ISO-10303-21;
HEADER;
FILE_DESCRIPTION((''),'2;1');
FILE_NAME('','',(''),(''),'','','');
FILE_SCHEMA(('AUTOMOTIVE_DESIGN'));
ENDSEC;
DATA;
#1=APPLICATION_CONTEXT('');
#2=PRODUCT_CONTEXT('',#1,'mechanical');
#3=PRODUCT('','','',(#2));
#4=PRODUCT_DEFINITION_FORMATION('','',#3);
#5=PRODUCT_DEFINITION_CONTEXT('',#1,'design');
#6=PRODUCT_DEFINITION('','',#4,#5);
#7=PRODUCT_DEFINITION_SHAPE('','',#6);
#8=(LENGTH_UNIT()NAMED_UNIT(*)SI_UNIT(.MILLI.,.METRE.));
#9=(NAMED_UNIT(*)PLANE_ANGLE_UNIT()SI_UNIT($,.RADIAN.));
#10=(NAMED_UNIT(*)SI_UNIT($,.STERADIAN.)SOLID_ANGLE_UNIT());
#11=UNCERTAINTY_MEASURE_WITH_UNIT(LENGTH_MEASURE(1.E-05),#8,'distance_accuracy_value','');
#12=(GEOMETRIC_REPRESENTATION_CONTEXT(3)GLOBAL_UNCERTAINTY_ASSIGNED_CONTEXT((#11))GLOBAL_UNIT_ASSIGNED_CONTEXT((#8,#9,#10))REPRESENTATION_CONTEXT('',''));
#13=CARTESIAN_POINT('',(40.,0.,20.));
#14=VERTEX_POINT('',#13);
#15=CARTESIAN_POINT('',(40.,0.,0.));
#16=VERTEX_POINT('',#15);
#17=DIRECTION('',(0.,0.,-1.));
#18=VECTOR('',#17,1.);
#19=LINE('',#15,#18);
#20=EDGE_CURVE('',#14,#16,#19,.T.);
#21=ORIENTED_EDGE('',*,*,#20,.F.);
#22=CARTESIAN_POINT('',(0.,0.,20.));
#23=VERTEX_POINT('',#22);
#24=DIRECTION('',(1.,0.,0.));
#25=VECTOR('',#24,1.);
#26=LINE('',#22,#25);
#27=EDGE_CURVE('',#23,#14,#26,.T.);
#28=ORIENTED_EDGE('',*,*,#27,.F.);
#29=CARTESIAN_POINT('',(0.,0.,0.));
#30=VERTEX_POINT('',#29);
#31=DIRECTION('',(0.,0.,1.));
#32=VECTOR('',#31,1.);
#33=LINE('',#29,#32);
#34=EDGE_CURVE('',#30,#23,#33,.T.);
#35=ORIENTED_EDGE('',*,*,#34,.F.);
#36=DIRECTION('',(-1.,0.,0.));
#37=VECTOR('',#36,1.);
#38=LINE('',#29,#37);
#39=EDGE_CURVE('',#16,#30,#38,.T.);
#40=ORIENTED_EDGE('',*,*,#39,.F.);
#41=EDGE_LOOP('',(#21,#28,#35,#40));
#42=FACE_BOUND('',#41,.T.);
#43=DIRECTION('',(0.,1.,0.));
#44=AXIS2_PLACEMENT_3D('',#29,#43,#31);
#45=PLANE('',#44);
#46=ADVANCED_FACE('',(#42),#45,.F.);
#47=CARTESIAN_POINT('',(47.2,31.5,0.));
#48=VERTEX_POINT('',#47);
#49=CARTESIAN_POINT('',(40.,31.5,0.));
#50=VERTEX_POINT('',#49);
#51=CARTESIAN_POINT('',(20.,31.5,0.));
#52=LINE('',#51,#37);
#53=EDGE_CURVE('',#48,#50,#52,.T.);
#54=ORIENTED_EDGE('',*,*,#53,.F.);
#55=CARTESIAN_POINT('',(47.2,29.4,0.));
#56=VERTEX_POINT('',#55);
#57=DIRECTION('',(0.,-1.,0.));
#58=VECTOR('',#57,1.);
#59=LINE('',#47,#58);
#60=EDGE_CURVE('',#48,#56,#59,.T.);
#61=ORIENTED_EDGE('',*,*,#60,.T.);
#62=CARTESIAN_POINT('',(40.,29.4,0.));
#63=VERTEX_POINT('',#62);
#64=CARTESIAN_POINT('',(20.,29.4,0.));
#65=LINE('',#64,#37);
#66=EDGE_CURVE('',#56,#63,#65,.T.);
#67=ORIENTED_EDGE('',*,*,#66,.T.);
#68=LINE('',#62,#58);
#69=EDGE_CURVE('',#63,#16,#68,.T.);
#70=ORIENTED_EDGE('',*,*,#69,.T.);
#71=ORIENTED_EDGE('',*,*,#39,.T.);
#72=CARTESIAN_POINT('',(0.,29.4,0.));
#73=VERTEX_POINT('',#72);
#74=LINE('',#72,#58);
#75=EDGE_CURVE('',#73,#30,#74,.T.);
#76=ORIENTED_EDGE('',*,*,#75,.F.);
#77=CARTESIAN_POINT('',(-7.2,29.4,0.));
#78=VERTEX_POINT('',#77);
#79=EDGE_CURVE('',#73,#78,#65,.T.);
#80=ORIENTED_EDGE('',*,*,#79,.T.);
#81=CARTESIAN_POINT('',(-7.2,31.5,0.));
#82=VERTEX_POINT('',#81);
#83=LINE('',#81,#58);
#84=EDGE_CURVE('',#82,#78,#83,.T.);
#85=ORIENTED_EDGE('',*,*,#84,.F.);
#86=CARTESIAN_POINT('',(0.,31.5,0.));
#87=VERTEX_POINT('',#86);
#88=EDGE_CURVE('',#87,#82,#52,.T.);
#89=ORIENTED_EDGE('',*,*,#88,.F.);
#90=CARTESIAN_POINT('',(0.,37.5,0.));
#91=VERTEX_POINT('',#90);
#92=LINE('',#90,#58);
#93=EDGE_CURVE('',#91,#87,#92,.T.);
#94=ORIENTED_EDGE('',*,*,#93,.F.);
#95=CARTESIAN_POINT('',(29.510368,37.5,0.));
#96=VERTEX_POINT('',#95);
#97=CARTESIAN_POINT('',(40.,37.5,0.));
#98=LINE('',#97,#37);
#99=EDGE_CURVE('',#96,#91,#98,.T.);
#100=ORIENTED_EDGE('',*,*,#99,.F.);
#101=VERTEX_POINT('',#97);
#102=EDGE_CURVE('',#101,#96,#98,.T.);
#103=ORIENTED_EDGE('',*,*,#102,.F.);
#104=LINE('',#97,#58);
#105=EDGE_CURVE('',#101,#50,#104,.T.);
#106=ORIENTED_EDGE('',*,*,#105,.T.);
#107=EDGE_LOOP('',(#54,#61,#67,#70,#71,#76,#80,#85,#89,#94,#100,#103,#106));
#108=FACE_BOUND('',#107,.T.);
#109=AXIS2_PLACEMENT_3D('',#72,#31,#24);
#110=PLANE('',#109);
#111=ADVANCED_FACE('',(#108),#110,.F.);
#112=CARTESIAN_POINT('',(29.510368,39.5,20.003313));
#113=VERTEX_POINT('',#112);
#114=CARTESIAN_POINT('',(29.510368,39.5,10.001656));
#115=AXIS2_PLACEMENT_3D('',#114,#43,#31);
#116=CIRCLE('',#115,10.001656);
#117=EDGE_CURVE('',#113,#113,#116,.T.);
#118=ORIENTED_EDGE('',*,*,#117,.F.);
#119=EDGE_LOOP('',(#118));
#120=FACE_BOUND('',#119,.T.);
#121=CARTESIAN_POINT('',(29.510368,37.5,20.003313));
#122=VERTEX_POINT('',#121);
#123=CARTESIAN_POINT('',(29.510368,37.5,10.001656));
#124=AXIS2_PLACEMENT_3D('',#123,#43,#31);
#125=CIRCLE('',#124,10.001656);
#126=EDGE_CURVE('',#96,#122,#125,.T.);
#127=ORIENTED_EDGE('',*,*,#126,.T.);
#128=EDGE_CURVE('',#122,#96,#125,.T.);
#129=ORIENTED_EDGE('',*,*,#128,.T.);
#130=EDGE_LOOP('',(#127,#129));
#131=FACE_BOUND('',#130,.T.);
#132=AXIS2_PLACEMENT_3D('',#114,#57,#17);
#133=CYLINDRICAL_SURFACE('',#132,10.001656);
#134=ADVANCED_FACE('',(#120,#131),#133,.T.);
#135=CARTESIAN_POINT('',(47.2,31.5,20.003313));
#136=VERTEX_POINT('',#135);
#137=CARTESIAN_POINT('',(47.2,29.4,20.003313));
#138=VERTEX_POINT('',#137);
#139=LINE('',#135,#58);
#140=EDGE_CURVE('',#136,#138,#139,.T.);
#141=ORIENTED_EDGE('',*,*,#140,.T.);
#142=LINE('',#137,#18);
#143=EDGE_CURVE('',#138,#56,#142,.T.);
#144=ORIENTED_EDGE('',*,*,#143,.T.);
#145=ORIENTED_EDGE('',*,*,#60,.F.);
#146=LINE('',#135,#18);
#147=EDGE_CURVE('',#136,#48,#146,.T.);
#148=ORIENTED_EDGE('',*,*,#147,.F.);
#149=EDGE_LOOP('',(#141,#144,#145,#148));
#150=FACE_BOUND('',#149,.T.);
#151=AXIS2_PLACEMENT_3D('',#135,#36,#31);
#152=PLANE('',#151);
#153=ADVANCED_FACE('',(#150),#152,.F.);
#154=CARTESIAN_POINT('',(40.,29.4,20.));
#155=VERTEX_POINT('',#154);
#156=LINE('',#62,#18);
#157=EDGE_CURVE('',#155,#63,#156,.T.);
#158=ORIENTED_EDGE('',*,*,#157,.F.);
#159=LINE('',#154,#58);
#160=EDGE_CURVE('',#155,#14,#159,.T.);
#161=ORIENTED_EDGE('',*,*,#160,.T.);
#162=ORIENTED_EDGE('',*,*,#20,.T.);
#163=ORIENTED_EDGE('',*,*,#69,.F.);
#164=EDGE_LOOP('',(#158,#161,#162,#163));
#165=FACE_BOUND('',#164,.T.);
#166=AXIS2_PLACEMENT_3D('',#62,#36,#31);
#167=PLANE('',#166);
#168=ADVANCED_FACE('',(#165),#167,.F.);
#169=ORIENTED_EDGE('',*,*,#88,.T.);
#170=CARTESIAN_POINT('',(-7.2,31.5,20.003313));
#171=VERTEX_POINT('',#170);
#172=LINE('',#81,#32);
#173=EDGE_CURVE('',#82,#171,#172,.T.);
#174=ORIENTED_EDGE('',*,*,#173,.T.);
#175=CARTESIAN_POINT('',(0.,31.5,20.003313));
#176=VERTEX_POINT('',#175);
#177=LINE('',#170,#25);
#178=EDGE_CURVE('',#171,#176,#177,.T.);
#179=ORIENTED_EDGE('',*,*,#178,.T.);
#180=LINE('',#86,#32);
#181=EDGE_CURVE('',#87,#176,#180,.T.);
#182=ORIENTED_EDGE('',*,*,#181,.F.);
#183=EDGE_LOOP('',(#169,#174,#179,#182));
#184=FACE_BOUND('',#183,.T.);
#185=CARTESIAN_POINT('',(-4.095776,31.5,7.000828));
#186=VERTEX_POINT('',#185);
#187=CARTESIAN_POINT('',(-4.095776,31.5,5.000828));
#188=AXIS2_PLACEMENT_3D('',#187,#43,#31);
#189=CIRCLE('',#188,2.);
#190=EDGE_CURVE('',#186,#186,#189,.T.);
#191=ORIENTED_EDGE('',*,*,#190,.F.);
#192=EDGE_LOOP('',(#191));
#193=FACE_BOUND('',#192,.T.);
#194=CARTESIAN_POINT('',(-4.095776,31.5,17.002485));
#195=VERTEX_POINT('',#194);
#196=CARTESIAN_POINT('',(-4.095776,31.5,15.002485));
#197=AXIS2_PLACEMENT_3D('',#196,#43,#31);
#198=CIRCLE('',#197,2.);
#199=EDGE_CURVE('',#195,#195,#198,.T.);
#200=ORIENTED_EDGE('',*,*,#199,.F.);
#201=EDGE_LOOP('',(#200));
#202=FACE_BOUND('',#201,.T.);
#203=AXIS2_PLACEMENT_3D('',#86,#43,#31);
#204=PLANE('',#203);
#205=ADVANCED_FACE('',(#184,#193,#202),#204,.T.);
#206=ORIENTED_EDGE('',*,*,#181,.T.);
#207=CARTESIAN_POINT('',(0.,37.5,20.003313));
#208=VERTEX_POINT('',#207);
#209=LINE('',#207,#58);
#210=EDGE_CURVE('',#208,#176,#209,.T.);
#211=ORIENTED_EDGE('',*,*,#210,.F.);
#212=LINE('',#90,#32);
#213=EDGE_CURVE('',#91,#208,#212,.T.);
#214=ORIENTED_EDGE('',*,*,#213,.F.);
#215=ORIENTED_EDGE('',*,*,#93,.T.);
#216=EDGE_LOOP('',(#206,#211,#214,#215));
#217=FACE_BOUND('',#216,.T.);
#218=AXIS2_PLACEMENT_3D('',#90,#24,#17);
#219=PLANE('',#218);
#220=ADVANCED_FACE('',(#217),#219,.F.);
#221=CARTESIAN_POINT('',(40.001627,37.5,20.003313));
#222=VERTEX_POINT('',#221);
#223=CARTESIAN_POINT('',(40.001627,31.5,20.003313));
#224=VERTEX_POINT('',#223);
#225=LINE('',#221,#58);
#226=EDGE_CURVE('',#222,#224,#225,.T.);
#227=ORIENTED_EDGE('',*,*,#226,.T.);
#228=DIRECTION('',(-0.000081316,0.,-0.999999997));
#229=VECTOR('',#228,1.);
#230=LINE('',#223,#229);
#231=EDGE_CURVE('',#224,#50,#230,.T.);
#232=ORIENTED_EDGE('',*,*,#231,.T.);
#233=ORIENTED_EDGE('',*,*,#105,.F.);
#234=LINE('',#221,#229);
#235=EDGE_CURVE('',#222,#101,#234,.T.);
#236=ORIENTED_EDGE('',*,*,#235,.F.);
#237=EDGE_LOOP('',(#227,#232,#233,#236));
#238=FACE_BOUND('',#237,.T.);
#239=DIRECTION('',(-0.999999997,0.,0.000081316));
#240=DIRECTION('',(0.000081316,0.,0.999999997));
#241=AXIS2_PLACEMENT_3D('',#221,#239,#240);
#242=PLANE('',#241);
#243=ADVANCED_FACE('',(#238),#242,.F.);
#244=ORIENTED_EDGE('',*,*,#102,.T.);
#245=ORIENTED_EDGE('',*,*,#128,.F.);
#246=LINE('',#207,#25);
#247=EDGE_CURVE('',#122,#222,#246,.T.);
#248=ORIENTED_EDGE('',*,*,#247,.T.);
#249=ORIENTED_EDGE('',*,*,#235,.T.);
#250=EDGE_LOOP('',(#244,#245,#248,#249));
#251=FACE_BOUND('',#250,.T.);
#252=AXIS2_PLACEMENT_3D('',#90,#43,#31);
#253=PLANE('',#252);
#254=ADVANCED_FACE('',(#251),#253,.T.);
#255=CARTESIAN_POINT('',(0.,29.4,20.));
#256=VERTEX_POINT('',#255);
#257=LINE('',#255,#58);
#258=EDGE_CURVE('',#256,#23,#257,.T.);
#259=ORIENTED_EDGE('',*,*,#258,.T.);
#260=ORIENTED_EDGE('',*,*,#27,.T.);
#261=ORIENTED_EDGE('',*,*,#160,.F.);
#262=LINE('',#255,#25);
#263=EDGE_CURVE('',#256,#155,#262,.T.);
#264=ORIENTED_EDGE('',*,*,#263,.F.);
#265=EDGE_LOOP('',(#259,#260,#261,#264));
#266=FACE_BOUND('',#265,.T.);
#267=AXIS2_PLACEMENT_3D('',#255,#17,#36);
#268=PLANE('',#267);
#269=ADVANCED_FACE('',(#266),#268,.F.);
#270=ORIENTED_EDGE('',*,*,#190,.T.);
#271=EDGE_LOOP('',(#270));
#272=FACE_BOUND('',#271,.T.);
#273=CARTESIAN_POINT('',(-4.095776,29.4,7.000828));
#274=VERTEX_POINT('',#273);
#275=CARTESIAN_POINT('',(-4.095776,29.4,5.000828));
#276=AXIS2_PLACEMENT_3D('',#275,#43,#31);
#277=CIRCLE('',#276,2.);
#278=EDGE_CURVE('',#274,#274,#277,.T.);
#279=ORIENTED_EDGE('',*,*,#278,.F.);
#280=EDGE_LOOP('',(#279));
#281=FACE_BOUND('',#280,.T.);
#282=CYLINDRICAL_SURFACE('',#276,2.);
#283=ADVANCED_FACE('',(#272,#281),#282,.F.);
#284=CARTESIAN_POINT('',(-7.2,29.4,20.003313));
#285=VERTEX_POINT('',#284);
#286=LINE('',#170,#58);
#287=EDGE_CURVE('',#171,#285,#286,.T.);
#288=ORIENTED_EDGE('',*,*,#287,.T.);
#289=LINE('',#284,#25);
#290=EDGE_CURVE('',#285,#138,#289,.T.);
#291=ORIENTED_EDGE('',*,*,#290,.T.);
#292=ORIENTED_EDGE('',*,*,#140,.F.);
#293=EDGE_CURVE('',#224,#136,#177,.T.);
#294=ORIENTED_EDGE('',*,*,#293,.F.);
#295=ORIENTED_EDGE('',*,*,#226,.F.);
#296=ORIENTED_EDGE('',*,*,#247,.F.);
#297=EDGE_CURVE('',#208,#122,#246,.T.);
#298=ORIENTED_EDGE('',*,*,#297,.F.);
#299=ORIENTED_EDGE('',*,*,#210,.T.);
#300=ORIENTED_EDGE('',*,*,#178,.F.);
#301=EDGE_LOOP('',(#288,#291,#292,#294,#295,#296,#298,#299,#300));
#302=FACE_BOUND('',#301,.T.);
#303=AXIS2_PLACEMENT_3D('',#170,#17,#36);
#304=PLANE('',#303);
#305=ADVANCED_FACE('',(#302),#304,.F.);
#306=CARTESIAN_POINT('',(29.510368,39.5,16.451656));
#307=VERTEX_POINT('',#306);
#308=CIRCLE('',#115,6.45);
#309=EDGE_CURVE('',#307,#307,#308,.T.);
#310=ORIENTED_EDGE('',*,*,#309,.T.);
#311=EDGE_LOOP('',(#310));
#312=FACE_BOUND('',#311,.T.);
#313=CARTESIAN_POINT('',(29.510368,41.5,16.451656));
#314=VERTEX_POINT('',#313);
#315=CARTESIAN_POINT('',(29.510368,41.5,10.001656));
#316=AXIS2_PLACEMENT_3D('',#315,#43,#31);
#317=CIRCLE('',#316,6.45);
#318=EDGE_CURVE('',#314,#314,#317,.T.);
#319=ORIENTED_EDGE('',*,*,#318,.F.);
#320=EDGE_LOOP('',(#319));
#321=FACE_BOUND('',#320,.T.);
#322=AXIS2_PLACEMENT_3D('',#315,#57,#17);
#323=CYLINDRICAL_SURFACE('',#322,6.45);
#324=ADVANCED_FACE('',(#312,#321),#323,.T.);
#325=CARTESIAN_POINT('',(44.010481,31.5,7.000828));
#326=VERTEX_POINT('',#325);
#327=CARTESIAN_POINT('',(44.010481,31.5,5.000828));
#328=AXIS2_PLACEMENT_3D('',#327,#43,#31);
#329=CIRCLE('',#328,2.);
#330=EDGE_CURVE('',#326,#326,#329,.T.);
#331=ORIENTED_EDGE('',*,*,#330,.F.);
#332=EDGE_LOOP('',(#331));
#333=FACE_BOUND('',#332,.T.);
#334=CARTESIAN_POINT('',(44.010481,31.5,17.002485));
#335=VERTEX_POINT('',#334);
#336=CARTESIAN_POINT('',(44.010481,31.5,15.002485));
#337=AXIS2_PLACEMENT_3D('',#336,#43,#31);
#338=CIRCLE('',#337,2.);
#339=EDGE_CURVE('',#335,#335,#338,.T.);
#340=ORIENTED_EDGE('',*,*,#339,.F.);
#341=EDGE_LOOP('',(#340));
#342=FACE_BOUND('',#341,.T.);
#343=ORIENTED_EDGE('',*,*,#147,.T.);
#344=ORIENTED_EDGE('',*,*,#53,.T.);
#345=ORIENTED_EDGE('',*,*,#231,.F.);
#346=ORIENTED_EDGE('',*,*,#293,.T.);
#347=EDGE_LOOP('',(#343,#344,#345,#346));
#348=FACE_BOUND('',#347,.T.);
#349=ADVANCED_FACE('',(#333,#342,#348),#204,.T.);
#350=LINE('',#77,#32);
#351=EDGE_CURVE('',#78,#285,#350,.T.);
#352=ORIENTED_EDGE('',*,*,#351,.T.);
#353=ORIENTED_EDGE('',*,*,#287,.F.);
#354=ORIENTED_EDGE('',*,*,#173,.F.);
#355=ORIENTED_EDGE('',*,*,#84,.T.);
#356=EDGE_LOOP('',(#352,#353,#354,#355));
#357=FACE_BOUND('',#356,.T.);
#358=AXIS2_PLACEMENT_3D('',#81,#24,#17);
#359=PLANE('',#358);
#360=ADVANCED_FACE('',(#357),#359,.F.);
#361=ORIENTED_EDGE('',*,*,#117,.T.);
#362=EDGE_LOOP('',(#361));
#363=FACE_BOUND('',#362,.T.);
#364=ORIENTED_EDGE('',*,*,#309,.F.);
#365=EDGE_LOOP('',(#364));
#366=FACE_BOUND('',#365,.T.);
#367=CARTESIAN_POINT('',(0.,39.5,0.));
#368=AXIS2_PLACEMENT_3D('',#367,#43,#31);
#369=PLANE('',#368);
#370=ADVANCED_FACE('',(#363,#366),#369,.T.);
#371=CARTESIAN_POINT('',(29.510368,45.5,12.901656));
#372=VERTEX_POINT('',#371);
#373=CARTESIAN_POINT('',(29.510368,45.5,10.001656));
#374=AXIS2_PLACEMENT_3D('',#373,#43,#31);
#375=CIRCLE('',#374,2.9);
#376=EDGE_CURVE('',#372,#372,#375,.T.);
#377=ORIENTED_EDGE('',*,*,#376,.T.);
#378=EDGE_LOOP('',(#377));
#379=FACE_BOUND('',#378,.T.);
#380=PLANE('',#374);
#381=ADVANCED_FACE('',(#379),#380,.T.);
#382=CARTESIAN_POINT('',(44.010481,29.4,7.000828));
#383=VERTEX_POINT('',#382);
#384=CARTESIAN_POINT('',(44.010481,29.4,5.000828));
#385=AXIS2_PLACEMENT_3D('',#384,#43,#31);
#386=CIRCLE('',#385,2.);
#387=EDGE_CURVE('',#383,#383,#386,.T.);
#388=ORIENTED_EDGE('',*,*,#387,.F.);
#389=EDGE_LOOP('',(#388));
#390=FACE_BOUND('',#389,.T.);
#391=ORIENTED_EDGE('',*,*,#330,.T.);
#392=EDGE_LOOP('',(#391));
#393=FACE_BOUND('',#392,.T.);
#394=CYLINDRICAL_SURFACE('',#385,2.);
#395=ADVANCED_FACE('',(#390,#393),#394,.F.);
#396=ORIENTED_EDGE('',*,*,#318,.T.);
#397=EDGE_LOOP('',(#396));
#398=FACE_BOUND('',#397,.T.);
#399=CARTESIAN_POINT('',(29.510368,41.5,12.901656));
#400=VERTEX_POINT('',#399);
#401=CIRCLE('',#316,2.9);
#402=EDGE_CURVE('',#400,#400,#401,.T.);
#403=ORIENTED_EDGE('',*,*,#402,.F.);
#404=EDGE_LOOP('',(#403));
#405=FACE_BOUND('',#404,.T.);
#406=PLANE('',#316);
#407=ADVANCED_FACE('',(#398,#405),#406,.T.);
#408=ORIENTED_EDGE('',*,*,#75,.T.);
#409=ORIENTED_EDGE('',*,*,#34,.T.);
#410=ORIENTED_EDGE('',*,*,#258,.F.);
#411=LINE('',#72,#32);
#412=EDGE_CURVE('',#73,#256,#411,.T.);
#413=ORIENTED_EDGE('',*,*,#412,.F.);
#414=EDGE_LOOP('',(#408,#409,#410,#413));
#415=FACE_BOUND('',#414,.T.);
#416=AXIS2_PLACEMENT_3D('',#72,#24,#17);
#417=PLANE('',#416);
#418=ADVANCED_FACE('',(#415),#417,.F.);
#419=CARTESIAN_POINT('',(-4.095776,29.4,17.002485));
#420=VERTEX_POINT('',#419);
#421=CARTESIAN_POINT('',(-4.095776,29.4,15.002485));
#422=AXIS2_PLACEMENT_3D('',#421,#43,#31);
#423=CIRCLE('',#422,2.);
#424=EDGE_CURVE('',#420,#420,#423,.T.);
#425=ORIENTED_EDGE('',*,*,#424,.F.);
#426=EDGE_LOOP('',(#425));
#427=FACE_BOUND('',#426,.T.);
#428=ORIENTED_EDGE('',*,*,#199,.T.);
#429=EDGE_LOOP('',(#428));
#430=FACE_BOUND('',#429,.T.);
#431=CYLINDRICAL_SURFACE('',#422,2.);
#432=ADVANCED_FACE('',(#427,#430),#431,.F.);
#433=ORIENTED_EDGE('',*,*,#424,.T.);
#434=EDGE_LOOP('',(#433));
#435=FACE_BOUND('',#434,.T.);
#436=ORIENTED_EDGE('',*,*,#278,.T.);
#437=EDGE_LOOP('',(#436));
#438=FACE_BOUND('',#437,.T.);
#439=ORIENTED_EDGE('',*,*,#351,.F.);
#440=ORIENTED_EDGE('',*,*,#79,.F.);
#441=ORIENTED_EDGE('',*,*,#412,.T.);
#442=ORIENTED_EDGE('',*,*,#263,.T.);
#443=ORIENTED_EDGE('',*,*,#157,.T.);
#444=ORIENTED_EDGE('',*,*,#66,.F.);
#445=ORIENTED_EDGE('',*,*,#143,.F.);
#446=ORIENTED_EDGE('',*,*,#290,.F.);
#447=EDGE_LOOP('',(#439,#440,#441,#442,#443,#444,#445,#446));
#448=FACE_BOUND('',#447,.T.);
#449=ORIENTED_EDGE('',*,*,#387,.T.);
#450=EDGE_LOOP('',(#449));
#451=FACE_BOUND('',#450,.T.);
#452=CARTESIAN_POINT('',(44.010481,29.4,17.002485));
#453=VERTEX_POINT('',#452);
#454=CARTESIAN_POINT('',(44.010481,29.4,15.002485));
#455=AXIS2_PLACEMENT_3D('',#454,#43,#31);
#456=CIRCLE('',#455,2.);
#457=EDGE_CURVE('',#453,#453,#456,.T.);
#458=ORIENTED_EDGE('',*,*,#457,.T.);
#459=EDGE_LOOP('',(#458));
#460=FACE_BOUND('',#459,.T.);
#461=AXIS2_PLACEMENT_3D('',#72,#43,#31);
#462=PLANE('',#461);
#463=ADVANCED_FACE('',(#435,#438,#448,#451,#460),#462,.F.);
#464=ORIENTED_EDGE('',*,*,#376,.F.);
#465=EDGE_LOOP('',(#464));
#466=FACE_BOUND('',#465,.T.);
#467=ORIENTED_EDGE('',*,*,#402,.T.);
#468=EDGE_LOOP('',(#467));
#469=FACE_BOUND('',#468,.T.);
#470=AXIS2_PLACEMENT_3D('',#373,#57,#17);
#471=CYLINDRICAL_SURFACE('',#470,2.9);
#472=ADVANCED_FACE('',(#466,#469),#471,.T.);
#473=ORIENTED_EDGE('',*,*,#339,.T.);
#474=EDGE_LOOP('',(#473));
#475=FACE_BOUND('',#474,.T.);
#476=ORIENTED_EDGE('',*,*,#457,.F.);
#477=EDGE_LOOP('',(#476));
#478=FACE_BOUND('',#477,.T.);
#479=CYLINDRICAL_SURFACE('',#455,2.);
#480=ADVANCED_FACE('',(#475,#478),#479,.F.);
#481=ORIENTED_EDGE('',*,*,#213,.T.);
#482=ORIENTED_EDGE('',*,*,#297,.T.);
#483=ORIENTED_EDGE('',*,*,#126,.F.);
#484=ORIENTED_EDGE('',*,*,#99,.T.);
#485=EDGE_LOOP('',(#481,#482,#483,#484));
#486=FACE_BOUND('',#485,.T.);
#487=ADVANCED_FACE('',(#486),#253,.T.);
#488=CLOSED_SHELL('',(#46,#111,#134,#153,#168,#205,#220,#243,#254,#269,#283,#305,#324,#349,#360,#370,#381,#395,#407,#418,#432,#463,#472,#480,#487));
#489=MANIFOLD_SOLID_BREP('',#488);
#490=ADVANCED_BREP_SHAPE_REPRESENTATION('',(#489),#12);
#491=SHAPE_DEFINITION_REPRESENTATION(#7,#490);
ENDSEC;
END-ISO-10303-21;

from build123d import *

# Parameters (mm, degrees)
CROQUIS1_W              = 40
CROQUIS1_H              = 20
SALIENTE_EXTRUIR1_DEPTH = 29.4
SALIENTE_EXTRUIR2_DEPTH = 2.1
CROQUIS3_R              = 2
CORTAR_EXTRUIR1_DEPTH   = 2.1
SALIENTE_EXTRUIR3_DEPTH = 6
CROQUIS5_R              = 10.001656383
SALIENTE_EXTRUIR4_DEPTH = 2
CROQUIS6_R              = 6.45
SALIENTE_EXTRUIR5_DEPTH = 2
CROQUIS7_R              = 2.9
SALIENTE_EXTRUIR6_DEPTH = 4


with BuildPart() as part:
    # Croquis1 → Saliente-Extruir1 (new body)
    with BuildSketch(Plane(origin=(0, 0, 0), x_dir=(1, 0, 0), z_dir=(0, 1, 0))):
        with Locations((20, -10)):
            Rectangle(CROQUIS1_W, CROQUIS1_H)
    extrude(amount=SALIENTE_EXTRUIR1_DEPTH)

    # Croquis2 → Saliente-Extruir2 (add)
    with BuildSketch(Plane(origin=(0, 29.4, 0), x_dir=(1, 0, 0), z_dir=(0, 1, 0))):
        Polygon((20, 0), (-7.2, 0), (-7.2, -20.003312767), (47.2, -20.003312767), (47.2, 0), align=None)
    extrude(amount=SALIENTE_EXTRUIR2_DEPTH)

    # Croquis3 → Cortar-Extruir1 (cut)
    with BuildSketch(Plane(origin=(0, 31.5, 0), x_dir=(1, 0, 0), z_dir=(0, 1, 0))):
        with Locations(Location((-4.095776159, -5.000828192, 0), (0, 0, 270))):
            Circle(CROQUIS3_R)
        with Locations(Location((-4.095776159, -15.002484575, 0), (0, 0, 270))):
            Circle(CROQUIS3_R)
        with Locations(Location((44.010481376, -5.000828192, 0), (0, 0, 270))):
            Circle(CROQUIS3_R)
        with Locations(Location((44.010481376, -15.002484575, 0), (0, 0, 270))):
            Circle(CROQUIS3_R)
    extrude(amount=-CORTAR_EXTRUIR1_DEPTH, mode=Mode.SUBTRACT)

    # Croquis4 → Saliente-Extruir3 (add)
    with BuildSketch(Plane(origin=(0, 31.5, 0), x_dir=(1, 0, 0), z_dir=(0, 1, 0))):
        Polygon((0, 0), (0, -20.003312767), (40.001626581, -20.003312767), (40, 0), align=None)
    extrude(amount=SALIENTE_EXTRUIR3_DEPTH)

    # Croquis5 → Saliente-Extruir4 (add)
    with BuildSketch(Plane(origin=(0, 37.5, 0), x_dir=(1, 0, 0), z_dir=(0, 1, 0))):
        with Locations(Location((29.510368289, -10.001656383, 0), (0, 0, 270))):
            Circle(CROQUIS5_R)
    extrude(amount=SALIENTE_EXTRUIR4_DEPTH)

    # Croquis6 → Saliente-Extruir5 (add)
    with BuildSketch(Plane(origin=(0, 39.5, 0), x_dir=(1, 0, 0), z_dir=(0, 1, 0))):
        with Locations(Location((29.510368289, -10.001656383, 0), (0, 0, 270))):
            Circle(CROQUIS6_R)
    extrude(amount=SALIENTE_EXTRUIR5_DEPTH)

    # Croquis7 → Saliente-Extruir6 (add)
    with BuildSketch(Plane(origin=(0, 41.5, 0), x_dir=(1, 0, 0), z_dir=(0, 1, 0))):
        with Locations(Location((29.510368289, -10.001656383, 0), (0, 0, 270))):
            Circle(CROQUIS7_R)
    extrude(amount=SALIENTE_EXTRUIR6_DEPTH)


solid = part.part
